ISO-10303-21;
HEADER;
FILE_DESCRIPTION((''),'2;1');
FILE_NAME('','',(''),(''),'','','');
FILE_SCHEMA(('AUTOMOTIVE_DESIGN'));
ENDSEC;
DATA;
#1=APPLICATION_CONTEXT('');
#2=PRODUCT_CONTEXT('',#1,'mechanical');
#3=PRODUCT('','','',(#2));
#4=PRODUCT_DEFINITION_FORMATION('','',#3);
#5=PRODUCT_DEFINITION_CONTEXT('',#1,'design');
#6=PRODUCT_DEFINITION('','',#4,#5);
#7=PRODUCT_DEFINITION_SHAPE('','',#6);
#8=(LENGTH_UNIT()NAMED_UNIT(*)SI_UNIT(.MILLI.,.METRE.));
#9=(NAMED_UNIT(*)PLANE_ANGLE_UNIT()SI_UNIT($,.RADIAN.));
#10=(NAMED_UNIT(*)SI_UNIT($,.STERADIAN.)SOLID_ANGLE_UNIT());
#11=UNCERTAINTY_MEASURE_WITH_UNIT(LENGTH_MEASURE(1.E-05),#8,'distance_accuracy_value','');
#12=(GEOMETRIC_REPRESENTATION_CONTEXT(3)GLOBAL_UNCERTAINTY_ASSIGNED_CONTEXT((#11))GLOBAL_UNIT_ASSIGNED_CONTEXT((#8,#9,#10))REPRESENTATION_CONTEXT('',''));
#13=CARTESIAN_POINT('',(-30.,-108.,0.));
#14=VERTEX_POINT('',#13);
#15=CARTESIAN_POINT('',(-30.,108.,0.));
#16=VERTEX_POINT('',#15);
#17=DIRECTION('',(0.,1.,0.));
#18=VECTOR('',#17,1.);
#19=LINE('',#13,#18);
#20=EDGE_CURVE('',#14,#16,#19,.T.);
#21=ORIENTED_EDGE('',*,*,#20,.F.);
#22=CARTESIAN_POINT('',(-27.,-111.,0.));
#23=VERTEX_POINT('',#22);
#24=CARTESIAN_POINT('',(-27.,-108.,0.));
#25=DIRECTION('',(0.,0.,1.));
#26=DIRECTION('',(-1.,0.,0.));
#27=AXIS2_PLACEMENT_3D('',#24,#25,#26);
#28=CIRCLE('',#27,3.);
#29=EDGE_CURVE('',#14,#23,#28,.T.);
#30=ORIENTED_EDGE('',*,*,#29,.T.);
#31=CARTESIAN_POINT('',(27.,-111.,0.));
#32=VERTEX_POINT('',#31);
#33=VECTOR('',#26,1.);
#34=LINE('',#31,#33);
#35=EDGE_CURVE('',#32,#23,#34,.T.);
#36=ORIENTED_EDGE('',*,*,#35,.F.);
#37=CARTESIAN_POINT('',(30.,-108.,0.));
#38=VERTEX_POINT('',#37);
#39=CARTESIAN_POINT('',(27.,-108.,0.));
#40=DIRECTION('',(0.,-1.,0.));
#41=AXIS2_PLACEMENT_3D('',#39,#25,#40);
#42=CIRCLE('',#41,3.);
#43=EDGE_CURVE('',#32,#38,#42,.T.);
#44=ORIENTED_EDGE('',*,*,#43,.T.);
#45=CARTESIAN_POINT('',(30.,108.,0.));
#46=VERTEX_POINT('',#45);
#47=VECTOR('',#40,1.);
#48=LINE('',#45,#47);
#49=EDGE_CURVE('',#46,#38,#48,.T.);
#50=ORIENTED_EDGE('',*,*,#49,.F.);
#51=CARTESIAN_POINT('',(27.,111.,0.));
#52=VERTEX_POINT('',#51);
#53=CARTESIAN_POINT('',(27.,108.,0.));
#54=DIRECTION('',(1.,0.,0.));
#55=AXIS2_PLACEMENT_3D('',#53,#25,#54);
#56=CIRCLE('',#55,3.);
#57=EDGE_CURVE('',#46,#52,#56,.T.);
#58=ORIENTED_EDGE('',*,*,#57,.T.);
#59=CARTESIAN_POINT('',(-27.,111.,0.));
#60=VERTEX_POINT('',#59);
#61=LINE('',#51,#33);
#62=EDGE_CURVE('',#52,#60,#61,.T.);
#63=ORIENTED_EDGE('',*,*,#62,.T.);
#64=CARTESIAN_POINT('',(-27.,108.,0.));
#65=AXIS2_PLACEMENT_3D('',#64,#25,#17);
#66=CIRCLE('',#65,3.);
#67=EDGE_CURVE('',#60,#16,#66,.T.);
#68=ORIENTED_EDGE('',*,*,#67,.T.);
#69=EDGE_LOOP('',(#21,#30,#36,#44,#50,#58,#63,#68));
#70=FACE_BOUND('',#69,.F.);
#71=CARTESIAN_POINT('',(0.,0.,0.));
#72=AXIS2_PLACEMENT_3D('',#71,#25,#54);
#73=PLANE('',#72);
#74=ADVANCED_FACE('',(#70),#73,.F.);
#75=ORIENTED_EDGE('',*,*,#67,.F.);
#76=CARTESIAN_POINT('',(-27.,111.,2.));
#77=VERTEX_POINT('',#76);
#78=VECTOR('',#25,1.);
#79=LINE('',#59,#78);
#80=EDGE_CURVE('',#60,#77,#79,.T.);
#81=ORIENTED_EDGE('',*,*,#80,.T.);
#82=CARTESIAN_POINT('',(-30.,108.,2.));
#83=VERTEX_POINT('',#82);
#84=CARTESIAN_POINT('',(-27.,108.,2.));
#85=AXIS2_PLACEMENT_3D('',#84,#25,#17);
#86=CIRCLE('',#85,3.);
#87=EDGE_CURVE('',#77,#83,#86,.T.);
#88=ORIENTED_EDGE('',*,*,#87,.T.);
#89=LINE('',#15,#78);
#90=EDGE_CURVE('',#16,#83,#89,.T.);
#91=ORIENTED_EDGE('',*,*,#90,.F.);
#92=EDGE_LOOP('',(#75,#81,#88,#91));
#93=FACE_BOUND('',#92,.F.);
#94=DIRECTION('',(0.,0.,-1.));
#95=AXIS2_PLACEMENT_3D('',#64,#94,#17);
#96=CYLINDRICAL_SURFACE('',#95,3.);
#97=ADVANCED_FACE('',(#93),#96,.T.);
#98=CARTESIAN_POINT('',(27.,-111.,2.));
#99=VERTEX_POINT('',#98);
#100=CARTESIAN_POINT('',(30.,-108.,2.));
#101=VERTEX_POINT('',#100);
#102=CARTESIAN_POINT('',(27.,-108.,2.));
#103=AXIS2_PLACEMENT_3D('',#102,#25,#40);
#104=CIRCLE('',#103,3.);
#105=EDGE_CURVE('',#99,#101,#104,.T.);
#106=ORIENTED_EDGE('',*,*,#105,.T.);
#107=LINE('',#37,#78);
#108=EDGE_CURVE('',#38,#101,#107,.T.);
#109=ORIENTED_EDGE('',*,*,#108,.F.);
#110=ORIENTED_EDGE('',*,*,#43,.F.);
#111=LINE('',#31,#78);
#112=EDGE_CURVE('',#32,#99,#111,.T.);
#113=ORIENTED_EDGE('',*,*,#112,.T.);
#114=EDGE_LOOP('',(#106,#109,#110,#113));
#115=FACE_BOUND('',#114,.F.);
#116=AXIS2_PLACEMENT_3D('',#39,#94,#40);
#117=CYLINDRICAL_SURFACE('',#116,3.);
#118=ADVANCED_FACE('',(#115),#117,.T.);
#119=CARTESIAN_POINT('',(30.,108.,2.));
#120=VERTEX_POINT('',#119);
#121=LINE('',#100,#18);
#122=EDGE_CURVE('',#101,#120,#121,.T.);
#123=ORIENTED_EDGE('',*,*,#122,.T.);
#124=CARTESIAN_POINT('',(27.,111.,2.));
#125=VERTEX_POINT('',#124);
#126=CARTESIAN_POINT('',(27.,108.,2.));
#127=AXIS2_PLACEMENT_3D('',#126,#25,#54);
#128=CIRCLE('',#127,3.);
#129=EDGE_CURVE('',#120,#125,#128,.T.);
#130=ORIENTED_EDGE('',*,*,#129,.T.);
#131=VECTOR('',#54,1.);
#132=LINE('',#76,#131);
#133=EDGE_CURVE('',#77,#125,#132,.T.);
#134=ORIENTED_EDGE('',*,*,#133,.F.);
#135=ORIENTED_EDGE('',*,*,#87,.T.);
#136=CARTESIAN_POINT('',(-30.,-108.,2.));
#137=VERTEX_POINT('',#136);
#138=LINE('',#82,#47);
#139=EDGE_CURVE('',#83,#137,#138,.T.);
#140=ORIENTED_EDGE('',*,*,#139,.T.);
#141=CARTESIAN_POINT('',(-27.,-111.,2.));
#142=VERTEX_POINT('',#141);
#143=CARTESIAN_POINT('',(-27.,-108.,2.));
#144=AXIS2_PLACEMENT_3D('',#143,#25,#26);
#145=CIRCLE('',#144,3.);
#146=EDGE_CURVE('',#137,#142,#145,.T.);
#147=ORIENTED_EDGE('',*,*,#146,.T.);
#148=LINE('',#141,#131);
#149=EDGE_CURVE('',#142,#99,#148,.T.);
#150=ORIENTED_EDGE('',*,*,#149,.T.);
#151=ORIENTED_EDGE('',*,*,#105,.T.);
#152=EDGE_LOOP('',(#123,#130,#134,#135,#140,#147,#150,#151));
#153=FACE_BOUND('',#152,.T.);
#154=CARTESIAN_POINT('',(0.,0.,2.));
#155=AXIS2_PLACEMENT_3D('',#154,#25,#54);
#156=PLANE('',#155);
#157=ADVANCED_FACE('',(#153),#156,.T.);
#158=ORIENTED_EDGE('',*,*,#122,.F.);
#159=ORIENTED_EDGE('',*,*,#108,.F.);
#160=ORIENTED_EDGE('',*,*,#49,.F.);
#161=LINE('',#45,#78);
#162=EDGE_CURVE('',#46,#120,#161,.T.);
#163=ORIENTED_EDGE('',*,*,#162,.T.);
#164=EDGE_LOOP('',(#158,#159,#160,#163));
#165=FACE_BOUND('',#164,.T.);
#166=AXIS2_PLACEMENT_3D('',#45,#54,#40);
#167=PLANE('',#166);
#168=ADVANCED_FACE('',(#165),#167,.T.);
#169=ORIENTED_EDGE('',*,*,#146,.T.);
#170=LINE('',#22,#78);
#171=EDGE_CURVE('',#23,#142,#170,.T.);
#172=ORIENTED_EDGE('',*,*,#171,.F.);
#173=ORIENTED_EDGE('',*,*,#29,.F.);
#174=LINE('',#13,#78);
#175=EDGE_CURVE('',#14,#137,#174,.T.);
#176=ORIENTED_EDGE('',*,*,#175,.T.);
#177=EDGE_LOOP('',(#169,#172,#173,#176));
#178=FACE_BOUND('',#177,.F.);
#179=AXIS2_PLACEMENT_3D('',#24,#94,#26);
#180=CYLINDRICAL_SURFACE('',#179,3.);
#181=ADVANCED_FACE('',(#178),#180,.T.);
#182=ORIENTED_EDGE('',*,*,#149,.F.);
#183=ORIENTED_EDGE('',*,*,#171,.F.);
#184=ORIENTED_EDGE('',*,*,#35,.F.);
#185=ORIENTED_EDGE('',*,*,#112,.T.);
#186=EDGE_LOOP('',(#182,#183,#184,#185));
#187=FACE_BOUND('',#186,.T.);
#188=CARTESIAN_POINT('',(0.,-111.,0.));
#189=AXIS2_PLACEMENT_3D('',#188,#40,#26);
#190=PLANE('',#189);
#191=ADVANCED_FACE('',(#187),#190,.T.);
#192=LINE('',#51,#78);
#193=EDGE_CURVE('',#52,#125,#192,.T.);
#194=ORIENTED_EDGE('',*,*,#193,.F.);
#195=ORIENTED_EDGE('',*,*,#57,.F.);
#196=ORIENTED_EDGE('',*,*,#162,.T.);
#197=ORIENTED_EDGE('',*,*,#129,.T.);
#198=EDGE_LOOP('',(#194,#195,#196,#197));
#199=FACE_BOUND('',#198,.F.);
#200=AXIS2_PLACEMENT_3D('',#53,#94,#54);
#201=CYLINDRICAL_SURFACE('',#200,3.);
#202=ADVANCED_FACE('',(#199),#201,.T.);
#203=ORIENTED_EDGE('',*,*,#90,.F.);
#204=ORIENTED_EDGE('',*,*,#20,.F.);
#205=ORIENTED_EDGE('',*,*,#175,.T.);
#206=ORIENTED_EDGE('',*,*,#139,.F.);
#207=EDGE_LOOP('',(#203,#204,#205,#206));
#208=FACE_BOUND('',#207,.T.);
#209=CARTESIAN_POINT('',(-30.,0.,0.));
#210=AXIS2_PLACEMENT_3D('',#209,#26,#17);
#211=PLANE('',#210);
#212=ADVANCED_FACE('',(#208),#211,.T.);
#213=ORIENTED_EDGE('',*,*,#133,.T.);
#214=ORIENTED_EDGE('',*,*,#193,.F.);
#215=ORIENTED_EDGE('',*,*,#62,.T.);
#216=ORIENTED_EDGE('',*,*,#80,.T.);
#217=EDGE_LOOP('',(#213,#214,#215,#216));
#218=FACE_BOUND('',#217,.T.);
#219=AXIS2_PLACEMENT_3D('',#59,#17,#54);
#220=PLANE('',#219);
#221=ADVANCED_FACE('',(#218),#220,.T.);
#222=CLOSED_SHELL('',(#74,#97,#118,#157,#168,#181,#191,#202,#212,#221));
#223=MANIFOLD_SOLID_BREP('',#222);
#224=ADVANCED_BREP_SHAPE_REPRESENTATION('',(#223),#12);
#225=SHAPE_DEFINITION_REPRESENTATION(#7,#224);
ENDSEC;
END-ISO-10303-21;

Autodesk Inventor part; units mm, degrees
ref_plane "YZ Plane" through (0, 0, 0) normal (1, 0, 0) x (0, 1, 0)
ref_plane "XZ Plane" through (0, 0, 0) normal (0, 1, 0) x (-1, 0, 0)
ref_plane "XY Plane" through (0, 0, 0) normal (0, 0, 1) x (1, 0, 0)
sketch "Эскиз1" plane through (0, 0, 0) normal (0, 0, 1) x (1, 0, 0)
  line L0 (-27, 111) -> (27, 111)
  line L1 (30, 108) -> (30, -108)
  line L2 (27, -111) -> (-27, -111)
  line L3 (-30, -108) -> (-30, 108)
  line L4 (0, -156.2698) -> (0, 156.2698) projected
  line L5 (-42.8698, 0) -> (42.8698, 0) projected
  arc A0 (-27, 111) -> (-30, 108) centre (-27, 108) ccw
  arc A1 (30, 108) -> (27, 111) centre (27, 108) ccw
  arc A2 (27, -111) -> (30, -108) centre (27, -108) ccw
  arc A3 (-30, -108) -> (-27, -111) centre (-27, -108) ccw
  point P0 (0, 0)
  dimension "d0" = 60
  dimension "d1" = 222
  dimension "d2" = 3
extrude "Выдавливание1" add sketch "Эскиз1" along normal blind 2
sketch "Эскиз2" plane through (0, 0, 2) normal (0, 0, 1) x (1, 0, 0)
  line L0 (-25, 106) -> (25, 106)
  line L1 (25, 106) -> (25, -106)
  line L2 (25, -106) -> (-25, -106)
  line L3 (-25, -106) -> (-25, 106)
  line L4 (-30, 108) -> (-30, -108) projected
  line L5 (30, -108) -> (30, 108) projected
  line L6 (27, 111) -> (-27, 111) projected
  line L7 (-27, -111) -> (27, -111) projected
  point P0 (0, 0)
  dimension "d5" = 5
  dimension "d6" = 5
  dimension "d7" = 5
  dimension "d8" = 5
properties part number "контроль"
